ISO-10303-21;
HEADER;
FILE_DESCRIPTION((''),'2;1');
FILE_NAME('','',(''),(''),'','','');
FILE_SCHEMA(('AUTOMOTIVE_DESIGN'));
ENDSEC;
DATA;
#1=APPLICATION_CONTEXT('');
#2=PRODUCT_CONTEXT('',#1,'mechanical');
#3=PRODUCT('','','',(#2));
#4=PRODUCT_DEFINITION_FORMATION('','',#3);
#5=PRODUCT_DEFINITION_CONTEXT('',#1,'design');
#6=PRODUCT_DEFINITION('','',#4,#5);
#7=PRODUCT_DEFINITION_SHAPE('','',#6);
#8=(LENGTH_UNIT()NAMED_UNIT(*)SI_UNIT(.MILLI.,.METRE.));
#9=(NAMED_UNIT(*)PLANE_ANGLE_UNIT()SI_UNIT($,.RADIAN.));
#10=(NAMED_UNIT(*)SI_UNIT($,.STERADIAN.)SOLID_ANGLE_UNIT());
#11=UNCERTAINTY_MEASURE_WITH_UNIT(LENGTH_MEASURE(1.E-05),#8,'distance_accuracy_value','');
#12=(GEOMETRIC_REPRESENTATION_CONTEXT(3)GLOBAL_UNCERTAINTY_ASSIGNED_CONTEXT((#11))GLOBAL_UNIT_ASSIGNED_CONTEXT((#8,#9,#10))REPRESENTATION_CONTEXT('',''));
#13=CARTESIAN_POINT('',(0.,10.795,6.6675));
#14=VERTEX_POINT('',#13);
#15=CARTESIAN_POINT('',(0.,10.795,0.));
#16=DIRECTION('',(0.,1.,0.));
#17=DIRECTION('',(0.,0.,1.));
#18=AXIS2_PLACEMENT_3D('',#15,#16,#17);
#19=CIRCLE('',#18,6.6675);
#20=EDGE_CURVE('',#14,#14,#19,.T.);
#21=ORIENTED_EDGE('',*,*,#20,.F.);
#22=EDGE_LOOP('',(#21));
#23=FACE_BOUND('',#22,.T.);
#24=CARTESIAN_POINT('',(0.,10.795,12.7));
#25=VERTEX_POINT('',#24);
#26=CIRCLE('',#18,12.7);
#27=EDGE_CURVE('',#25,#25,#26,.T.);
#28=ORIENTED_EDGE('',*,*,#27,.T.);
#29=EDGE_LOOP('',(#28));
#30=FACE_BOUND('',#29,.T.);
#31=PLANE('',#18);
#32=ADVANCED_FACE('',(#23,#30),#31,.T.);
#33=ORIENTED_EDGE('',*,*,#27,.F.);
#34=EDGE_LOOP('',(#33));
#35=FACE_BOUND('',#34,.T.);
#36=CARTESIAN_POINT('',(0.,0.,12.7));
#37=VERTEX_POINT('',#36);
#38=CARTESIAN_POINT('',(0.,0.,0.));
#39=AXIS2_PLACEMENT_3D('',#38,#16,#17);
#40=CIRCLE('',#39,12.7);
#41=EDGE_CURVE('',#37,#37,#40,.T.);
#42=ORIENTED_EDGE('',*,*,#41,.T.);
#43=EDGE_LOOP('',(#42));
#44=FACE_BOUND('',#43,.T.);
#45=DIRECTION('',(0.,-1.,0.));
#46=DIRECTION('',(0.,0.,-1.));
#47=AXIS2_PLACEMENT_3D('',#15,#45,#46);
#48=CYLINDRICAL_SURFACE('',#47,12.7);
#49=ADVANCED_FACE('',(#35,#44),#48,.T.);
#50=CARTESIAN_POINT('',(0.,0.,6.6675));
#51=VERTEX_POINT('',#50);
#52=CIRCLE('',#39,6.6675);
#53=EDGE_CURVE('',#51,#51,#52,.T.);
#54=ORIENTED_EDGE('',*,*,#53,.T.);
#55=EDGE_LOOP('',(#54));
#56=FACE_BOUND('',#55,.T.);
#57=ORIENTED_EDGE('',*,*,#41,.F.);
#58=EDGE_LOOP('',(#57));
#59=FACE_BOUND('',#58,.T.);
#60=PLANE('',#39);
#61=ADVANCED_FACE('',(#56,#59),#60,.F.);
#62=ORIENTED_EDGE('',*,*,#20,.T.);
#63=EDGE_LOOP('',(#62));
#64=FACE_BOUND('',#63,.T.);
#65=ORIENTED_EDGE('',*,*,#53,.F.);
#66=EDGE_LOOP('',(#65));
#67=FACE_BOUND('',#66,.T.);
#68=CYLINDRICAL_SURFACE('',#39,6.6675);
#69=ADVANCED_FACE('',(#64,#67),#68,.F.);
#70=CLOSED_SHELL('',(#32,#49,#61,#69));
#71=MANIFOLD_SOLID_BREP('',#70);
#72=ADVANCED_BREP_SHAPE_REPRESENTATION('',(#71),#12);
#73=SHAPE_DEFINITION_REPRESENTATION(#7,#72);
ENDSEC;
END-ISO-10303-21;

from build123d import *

# Parameters (mm, degrees)
SKETCH1_R           = 12.7
BOSS_EXTRUDE1_DEPTH = 10.795
SKETCH4_R           = 6.6675
CUT_EXTRUDE1_DEPTH  = 21.955


with BuildPart() as part:
    # Sketch1 → Boss-Extrude1 (new body)
    with BuildSketch(Plane(origin=(0, 0, 0), x_dir=(1, 0, 0), z_dir=(0, 1, 0))):
        with Locations(Location((0, 0, 0), (0, 0, 270))):
            Circle(SKETCH1_R)
    extrude(amount=BOSS_EXTRUDE1_DEPTH)

    # Sketch4 → Cut-Extrude1 (cut, through all)
    with BuildSketch(Plane(origin=(0, 10.795, 0), x_dir=(1, 0, 0), z_dir=(0, 1, 0))):
        with Locations(Location((0, 0, 0), (0, 0, 270))):
            Circle(SKETCH4_R)
    extrude(amount=-CUT_EXTRUDE1_DEPTH, mode=Mode.SUBTRACT)


solid = part.part
